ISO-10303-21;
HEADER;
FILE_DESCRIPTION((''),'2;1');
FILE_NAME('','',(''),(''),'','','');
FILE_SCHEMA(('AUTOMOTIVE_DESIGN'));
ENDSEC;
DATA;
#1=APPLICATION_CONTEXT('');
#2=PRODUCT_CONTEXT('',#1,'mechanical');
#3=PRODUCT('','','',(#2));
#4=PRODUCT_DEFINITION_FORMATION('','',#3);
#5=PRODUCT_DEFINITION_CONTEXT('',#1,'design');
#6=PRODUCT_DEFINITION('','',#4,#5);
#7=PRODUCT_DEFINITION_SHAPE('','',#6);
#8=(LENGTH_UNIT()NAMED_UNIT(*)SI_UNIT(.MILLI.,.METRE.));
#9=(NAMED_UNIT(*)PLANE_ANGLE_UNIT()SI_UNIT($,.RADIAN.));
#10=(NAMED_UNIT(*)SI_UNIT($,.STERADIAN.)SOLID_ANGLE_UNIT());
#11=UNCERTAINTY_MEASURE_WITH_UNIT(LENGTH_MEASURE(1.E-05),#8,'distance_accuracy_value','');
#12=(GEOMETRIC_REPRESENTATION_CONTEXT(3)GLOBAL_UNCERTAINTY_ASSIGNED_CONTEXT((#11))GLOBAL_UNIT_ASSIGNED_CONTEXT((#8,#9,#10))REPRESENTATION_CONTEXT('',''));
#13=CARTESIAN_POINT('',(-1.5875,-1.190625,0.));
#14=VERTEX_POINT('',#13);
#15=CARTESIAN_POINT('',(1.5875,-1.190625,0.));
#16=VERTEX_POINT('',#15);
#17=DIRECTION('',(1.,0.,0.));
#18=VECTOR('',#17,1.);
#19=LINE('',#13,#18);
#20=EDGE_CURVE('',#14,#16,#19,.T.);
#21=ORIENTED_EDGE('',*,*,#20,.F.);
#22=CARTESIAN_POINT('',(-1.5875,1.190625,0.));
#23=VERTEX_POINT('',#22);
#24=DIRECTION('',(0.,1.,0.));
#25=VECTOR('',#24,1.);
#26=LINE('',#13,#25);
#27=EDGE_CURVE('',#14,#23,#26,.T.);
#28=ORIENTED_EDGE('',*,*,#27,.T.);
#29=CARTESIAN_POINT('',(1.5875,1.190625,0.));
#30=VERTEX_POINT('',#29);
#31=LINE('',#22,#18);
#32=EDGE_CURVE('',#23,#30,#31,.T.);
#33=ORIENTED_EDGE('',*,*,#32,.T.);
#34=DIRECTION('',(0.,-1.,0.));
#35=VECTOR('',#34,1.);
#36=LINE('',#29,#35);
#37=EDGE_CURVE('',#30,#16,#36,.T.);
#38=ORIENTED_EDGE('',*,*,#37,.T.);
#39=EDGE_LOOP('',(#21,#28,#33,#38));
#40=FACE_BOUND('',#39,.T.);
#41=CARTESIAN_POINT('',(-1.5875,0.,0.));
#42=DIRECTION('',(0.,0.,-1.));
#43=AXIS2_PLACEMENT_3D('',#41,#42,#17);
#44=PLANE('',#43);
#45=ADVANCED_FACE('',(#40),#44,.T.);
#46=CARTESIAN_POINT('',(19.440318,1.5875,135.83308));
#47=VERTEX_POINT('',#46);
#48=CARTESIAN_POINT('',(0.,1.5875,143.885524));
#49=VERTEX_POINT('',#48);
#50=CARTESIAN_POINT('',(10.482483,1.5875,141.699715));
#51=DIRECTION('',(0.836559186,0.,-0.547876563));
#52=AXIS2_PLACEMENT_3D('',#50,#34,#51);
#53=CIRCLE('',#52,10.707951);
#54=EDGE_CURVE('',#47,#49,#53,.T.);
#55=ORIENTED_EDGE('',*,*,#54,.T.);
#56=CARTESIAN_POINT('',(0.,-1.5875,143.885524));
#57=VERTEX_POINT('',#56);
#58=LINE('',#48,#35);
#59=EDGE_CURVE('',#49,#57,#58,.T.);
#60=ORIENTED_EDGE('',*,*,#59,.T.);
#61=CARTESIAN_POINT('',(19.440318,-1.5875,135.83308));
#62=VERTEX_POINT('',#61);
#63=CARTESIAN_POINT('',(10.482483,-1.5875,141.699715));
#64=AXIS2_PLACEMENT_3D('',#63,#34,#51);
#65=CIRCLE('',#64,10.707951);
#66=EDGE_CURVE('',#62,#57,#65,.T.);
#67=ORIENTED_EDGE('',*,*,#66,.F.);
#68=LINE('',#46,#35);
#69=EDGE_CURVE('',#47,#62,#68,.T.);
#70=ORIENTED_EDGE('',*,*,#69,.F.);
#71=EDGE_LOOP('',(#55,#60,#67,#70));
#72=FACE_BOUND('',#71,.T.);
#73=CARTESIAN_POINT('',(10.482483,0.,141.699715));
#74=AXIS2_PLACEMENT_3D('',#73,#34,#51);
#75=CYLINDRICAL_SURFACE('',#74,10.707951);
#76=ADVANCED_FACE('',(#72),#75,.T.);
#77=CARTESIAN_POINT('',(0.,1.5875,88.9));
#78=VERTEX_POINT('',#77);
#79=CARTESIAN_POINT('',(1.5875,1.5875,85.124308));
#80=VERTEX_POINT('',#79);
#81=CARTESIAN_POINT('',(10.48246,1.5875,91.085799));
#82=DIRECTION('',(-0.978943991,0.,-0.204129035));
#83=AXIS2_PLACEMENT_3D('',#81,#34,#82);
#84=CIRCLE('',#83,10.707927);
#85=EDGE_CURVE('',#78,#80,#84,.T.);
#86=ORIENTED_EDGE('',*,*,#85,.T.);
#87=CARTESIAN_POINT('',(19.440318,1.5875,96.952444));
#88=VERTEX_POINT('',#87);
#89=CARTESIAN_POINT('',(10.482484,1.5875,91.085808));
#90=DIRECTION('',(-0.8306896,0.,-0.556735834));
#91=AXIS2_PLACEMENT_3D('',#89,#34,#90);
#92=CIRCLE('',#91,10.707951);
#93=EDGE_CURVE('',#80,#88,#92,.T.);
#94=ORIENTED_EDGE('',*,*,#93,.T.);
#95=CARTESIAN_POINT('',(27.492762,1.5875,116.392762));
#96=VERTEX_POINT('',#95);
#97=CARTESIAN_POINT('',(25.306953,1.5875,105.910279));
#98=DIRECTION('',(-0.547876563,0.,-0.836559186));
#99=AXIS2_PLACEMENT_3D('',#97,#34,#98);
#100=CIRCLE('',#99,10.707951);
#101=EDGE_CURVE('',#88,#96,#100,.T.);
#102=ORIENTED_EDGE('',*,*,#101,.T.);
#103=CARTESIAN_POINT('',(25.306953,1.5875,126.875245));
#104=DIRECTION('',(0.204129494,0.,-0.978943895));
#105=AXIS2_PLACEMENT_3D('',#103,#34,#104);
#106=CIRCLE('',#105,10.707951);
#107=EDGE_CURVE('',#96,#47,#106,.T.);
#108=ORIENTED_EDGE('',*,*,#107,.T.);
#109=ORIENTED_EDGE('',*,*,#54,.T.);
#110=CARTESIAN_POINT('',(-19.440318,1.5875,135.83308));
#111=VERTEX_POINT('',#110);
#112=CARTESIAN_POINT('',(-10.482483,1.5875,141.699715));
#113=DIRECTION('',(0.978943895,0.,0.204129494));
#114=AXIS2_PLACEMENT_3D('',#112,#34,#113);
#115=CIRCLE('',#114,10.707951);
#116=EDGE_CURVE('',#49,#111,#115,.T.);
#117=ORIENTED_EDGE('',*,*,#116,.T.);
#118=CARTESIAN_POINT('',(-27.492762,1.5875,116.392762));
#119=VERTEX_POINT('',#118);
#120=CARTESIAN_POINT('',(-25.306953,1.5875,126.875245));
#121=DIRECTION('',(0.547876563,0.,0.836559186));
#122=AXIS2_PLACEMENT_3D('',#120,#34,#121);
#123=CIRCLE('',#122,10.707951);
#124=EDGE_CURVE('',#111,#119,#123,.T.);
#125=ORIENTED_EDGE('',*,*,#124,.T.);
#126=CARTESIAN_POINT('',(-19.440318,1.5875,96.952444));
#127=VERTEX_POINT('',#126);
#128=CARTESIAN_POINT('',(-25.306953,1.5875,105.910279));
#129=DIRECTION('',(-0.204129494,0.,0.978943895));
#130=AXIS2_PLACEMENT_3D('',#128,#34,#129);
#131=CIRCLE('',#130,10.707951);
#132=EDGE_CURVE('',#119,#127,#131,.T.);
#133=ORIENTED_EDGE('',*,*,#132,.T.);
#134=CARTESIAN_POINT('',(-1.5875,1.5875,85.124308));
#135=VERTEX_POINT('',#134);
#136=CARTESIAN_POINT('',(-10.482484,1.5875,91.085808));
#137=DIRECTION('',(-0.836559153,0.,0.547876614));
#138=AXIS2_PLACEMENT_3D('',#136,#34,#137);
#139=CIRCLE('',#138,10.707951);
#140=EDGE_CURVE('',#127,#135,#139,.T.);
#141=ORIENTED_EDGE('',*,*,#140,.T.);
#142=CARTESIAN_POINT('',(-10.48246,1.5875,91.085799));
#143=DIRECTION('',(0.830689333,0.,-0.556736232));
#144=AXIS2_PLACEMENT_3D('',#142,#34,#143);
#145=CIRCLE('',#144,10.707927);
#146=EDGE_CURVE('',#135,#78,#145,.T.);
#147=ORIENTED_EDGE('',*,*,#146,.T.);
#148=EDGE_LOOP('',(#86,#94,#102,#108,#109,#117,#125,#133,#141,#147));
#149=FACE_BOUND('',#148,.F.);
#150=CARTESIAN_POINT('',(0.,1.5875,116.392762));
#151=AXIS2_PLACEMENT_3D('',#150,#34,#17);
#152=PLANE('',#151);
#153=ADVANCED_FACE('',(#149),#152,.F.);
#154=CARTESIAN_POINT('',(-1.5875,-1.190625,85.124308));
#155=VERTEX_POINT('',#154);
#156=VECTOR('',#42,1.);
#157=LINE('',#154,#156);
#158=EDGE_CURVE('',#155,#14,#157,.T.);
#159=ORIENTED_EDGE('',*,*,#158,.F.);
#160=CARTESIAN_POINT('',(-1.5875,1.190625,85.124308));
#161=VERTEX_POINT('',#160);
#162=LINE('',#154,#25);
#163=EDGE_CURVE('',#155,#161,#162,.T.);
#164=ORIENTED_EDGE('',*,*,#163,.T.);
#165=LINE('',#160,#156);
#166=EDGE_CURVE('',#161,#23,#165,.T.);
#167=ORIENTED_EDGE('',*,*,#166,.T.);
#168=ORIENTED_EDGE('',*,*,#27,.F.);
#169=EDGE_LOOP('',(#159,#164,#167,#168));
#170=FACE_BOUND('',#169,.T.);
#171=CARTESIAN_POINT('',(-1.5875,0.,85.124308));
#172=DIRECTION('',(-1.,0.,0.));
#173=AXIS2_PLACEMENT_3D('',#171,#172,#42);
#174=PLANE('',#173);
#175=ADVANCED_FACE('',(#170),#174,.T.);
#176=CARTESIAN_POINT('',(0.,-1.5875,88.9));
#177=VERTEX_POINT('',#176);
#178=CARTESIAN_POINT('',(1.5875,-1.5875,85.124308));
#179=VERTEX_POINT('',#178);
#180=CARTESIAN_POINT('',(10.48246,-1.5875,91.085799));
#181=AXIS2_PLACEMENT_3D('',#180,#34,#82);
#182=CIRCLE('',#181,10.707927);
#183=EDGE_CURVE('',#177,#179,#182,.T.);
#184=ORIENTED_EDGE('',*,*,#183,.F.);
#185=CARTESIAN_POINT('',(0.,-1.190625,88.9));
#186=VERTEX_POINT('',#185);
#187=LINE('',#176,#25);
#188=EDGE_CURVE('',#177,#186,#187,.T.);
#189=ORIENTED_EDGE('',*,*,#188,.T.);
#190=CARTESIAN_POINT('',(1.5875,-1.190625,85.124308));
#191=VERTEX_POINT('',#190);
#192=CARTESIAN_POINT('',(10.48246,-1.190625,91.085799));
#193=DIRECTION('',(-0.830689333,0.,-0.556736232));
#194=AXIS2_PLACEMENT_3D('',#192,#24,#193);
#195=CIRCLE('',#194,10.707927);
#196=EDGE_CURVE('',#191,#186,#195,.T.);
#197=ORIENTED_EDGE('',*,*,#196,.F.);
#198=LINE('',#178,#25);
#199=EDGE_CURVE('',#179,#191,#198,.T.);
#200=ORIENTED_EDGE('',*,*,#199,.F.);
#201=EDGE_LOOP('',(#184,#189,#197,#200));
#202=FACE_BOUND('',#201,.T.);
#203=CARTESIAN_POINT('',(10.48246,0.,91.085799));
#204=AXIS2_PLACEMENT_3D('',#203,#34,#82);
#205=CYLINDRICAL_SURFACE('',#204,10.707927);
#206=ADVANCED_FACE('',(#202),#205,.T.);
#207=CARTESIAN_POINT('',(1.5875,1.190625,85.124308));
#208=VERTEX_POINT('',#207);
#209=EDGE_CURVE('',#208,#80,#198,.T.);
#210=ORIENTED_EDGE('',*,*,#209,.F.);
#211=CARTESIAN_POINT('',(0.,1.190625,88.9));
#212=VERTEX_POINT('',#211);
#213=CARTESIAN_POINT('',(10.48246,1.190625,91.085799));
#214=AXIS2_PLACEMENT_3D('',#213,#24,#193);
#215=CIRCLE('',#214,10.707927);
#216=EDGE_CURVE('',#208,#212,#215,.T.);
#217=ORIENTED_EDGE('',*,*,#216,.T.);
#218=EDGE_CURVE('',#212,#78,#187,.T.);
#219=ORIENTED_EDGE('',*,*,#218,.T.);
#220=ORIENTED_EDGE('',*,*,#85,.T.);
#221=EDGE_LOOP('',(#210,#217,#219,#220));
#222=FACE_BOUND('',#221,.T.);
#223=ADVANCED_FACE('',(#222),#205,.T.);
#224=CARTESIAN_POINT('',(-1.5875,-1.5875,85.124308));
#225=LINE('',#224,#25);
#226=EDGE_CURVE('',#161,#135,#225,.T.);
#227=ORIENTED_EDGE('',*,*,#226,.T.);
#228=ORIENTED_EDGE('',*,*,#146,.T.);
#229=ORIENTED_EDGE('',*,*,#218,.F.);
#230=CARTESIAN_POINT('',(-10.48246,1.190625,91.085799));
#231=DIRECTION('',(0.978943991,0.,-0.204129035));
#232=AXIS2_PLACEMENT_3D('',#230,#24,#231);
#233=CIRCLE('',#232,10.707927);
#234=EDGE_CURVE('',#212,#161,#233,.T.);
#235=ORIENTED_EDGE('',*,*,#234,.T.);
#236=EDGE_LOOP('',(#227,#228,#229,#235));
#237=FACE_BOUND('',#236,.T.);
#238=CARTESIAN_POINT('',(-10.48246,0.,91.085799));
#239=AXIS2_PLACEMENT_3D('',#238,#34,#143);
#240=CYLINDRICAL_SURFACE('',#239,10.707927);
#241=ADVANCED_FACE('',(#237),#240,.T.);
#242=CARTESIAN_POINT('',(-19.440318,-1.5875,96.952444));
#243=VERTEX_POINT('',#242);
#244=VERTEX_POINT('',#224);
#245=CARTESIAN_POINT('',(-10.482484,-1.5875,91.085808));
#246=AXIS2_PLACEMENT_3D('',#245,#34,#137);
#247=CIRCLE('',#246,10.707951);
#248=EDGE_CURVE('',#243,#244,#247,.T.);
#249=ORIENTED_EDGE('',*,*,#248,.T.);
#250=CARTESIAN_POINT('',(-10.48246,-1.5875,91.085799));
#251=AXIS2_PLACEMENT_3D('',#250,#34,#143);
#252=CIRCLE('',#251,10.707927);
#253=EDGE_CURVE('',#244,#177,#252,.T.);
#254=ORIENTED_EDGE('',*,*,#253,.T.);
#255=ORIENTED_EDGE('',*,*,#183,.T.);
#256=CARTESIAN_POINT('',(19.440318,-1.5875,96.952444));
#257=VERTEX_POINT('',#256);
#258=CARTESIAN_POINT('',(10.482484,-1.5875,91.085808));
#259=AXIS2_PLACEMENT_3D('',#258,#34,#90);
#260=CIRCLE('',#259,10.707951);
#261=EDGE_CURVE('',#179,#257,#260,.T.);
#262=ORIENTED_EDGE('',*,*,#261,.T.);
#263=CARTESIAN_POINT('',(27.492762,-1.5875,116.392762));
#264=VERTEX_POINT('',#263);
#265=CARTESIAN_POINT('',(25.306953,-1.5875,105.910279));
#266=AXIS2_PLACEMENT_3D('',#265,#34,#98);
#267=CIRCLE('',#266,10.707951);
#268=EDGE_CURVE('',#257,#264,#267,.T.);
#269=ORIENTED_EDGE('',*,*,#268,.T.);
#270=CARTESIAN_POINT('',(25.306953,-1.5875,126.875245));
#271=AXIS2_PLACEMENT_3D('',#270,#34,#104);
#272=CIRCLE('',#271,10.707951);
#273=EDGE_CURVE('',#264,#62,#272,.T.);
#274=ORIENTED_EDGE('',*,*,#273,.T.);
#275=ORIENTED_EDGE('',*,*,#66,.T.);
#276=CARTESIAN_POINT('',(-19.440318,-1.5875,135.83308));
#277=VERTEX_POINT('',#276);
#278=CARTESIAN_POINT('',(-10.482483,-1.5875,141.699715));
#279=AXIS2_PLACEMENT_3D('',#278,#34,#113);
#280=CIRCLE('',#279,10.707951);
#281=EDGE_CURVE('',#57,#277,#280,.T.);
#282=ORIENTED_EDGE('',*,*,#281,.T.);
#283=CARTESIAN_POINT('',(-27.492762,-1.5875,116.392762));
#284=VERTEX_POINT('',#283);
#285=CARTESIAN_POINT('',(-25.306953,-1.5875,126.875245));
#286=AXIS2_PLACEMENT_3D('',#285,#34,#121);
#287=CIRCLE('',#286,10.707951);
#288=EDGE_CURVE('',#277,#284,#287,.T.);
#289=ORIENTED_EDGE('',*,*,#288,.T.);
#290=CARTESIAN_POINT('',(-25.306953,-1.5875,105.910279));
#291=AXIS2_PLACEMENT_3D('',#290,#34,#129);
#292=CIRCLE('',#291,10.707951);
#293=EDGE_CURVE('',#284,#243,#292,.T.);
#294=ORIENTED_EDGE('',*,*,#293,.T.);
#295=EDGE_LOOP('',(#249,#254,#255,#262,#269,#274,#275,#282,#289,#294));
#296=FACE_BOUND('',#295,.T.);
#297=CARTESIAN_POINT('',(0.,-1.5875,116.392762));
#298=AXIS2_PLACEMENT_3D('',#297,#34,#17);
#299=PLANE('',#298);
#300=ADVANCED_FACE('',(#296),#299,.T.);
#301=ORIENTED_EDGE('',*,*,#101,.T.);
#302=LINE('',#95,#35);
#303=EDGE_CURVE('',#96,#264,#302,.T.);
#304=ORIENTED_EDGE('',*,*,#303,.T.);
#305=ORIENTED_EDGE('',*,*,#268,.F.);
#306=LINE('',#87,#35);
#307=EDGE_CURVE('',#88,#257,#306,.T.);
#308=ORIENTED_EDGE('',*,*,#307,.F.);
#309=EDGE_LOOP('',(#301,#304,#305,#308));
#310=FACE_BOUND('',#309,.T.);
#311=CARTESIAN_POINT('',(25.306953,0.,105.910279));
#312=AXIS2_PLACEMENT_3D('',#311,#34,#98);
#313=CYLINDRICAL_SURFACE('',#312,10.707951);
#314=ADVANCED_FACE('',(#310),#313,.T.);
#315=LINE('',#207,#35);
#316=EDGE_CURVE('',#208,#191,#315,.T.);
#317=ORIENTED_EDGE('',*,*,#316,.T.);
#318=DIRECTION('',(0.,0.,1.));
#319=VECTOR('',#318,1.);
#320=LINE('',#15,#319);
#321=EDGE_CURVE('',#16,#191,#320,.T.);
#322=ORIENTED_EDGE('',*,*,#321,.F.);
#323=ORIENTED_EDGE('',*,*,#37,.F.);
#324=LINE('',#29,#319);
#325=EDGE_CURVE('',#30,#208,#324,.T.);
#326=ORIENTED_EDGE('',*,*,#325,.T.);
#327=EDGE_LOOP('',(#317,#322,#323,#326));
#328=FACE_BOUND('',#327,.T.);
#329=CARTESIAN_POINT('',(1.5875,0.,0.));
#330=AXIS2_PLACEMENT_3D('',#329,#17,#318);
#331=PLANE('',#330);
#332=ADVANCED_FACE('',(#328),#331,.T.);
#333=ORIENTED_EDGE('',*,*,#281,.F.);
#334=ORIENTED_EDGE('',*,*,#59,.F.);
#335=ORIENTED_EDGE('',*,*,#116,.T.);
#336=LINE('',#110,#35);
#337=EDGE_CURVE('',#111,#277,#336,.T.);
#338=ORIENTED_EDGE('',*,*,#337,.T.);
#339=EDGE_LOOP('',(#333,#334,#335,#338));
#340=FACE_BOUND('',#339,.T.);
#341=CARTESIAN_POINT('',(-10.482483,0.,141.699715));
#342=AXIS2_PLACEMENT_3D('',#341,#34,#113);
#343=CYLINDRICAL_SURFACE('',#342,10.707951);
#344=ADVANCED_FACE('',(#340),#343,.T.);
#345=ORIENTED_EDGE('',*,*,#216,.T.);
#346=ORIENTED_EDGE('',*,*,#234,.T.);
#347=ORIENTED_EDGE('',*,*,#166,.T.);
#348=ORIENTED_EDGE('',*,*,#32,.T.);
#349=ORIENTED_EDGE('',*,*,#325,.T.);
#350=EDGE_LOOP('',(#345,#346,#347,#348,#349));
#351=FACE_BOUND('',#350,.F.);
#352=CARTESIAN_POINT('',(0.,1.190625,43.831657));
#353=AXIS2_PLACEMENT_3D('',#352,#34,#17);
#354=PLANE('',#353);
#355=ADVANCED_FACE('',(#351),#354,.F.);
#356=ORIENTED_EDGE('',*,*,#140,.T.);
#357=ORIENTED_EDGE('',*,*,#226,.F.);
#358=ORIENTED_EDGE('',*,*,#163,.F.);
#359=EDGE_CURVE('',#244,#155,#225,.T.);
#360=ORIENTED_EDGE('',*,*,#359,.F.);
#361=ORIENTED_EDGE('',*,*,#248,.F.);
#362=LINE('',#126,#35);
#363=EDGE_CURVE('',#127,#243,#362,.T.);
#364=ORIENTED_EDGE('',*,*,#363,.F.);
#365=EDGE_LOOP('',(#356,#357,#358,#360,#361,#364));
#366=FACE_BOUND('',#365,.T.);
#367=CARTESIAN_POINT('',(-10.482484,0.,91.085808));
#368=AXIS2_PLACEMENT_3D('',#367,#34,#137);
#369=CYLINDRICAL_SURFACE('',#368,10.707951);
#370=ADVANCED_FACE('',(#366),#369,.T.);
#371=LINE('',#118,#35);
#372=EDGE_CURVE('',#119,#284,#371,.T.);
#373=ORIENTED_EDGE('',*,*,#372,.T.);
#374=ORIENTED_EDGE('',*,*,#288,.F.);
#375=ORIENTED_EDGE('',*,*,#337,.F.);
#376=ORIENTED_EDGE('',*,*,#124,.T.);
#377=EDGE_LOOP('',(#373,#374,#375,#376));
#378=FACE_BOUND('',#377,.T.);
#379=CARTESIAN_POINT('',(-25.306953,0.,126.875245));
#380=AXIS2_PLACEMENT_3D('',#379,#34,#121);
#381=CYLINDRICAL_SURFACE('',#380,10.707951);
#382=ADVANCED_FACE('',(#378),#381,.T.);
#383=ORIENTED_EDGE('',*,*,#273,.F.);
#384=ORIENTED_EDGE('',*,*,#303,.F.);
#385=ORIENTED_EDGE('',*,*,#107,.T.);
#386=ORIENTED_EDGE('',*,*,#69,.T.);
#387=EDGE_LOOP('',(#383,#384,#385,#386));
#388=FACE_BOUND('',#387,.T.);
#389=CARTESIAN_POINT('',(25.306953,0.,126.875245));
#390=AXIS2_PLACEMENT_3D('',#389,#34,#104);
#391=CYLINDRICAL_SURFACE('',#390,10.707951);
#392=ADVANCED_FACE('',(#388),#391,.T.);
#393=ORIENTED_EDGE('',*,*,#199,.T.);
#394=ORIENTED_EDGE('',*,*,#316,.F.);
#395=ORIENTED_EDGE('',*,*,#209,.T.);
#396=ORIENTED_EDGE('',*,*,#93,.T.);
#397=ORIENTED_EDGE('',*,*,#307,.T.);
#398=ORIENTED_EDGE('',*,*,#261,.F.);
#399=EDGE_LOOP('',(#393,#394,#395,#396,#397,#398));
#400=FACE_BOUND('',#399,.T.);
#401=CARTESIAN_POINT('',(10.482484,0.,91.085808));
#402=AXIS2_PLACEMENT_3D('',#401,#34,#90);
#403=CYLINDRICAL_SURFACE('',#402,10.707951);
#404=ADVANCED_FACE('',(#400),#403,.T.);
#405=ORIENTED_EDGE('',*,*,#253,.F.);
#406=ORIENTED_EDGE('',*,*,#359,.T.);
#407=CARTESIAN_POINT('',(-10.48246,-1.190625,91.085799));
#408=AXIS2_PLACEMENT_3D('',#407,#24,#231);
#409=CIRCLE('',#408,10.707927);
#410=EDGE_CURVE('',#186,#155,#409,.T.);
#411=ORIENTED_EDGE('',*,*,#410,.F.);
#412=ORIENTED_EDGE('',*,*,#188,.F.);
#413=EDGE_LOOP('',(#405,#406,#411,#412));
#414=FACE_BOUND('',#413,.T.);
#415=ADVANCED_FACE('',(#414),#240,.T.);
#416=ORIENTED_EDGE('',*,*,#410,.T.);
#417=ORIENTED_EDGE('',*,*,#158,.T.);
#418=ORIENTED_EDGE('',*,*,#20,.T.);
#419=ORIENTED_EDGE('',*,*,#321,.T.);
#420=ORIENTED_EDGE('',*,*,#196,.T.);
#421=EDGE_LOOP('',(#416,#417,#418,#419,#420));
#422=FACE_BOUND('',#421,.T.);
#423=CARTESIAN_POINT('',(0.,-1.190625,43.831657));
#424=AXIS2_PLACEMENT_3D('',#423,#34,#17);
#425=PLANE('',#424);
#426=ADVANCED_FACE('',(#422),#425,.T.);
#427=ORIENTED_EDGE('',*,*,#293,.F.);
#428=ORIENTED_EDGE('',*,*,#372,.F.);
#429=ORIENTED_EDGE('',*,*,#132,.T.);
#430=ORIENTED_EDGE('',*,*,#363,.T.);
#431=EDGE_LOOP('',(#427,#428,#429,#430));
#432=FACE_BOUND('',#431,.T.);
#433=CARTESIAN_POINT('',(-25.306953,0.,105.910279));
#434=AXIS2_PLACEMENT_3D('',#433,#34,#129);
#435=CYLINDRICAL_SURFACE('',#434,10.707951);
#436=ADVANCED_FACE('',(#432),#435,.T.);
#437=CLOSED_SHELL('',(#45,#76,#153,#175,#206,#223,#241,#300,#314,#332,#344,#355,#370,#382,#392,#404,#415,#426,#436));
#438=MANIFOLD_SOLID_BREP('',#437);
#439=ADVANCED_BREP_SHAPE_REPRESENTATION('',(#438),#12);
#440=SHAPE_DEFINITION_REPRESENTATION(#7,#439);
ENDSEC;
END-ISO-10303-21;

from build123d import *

# Parameters (mm, degrees)
F1_DEPTH = 1.5875
F2_DEPTH = 1.190625


with BuildPart() as f1:
    # F0 (on Front) → F1 (new body, symmetric)
    with BuildSketch(Plane.XZ):
        Polygon((-19.440318, 96.952444), (0, 88.9), (19.440318, 96.952444), (27.492762, 116.392762), (19.440318, 135.83308), (0, 143.885524), (-19.440318, 135.83308), (-27.492762, 116.392762), align=None)
        with BuildLine():
            Line((1.5875, 88.9), (1.5875, 85.124308))
            ThreePointArc((1.5875, 85.124308), (16.396635, 82.159273), (19.440318, 96.952444))
            Line((19.440318, 96.952444), (0, 88.9))
            Line((0, 88.9), (1.5875, 88.9))
        make_face()
        with BuildLine():
            Line((27.492762, 116.392762), (19.440318, 96.952444))
            ThreePointArc((19.440318, 96.952444), (35.19981, 101.812523), (27.492762, 116.392762))
        make_face()
        with BuildLine():
            Line((19.440318, 135.83308), (27.492762, 116.392762))
            ThreePointArc((27.492762, 116.392762), (35.19981, 130.973001), (19.440318, 135.83308))
        make_face()
        with BuildLine():
            Line((0, 143.885524), (19.440318, 135.83308))
            ThreePointArc((19.440318, 135.83308), (14.580239, 151.592572), (0, 143.885524))
        make_face()
        with BuildLine():
            ThreePointArc((0, 143.885524), (-14.580239, 151.592572), (-19.440318, 135.83308))
            Line((-19.440318, 135.83308), (0, 143.885524))
        make_face()
        with BuildLine():
            ThreePointArc((-19.440318, 135.83308), (-35.19981, 130.973001), (-27.492762, 116.392762))
            Line((-27.492762, 116.392762), (-19.440318, 135.83308))
        make_face()
        with BuildLine():
            ThreePointArc((-27.492762, 116.392762), (-35.19981, 101.812523), (-19.440318, 96.952444))
            Line((-19.440318, 96.952444), (-27.492762, 116.392762))
        make_face()
        with BuildLine():
            Line((-1.5875, 88.9), (0, 88.9))
            Line((0, 88.9), (-19.440318, 96.952444))
            ThreePointArc((-19.440318, 96.952444), (-16.396635, 82.159273), (-1.5875, 85.124308))
            Line((-1.5875, 85.124308), (-1.5875, 88.9))
        make_face()
        with BuildLine():
            ThreePointArc((0, 88.9), (0.61154, 86.935543), (1.5875, 85.124308))
            Line((1.5875, 85.124308), (1.5875, 88.9))
            Line((1.5875, 88.9), (0, 88.9))
        make_face()
        with BuildLine():
            ThreePointArc((-1.5875, 85.124308), (-0.61154, 86.935543), (0, 88.9))
            Line((0, 88.9), (-1.5875, 88.9))
            Line((-1.5875, 88.9), (-1.5875, 85.124308))
        make_face()
    extrude(amount=F1_DEPTH, both=True)

    # F0 (on Front) → F2 (join, symmetric)
    with BuildSketch(Plane.XZ):
        with BuildLine():
            Line((-1.5875, 0), (1.5875, 0))
            Line((1.5875, 0), (1.5875, 85.124308))
            ThreePointArc((1.5875, 85.124308), (0.61154, 86.935543), (0, 88.9))
            ThreePointArc((0, 88.9), (-0.61154, 86.935543), (-1.5875, 85.124308))
            Line((-1.5875, 85.124308), (-1.5875, 0))
        make_face()
    extrude(amount=F2_DEPTH, both=True)


solid = f1.part
